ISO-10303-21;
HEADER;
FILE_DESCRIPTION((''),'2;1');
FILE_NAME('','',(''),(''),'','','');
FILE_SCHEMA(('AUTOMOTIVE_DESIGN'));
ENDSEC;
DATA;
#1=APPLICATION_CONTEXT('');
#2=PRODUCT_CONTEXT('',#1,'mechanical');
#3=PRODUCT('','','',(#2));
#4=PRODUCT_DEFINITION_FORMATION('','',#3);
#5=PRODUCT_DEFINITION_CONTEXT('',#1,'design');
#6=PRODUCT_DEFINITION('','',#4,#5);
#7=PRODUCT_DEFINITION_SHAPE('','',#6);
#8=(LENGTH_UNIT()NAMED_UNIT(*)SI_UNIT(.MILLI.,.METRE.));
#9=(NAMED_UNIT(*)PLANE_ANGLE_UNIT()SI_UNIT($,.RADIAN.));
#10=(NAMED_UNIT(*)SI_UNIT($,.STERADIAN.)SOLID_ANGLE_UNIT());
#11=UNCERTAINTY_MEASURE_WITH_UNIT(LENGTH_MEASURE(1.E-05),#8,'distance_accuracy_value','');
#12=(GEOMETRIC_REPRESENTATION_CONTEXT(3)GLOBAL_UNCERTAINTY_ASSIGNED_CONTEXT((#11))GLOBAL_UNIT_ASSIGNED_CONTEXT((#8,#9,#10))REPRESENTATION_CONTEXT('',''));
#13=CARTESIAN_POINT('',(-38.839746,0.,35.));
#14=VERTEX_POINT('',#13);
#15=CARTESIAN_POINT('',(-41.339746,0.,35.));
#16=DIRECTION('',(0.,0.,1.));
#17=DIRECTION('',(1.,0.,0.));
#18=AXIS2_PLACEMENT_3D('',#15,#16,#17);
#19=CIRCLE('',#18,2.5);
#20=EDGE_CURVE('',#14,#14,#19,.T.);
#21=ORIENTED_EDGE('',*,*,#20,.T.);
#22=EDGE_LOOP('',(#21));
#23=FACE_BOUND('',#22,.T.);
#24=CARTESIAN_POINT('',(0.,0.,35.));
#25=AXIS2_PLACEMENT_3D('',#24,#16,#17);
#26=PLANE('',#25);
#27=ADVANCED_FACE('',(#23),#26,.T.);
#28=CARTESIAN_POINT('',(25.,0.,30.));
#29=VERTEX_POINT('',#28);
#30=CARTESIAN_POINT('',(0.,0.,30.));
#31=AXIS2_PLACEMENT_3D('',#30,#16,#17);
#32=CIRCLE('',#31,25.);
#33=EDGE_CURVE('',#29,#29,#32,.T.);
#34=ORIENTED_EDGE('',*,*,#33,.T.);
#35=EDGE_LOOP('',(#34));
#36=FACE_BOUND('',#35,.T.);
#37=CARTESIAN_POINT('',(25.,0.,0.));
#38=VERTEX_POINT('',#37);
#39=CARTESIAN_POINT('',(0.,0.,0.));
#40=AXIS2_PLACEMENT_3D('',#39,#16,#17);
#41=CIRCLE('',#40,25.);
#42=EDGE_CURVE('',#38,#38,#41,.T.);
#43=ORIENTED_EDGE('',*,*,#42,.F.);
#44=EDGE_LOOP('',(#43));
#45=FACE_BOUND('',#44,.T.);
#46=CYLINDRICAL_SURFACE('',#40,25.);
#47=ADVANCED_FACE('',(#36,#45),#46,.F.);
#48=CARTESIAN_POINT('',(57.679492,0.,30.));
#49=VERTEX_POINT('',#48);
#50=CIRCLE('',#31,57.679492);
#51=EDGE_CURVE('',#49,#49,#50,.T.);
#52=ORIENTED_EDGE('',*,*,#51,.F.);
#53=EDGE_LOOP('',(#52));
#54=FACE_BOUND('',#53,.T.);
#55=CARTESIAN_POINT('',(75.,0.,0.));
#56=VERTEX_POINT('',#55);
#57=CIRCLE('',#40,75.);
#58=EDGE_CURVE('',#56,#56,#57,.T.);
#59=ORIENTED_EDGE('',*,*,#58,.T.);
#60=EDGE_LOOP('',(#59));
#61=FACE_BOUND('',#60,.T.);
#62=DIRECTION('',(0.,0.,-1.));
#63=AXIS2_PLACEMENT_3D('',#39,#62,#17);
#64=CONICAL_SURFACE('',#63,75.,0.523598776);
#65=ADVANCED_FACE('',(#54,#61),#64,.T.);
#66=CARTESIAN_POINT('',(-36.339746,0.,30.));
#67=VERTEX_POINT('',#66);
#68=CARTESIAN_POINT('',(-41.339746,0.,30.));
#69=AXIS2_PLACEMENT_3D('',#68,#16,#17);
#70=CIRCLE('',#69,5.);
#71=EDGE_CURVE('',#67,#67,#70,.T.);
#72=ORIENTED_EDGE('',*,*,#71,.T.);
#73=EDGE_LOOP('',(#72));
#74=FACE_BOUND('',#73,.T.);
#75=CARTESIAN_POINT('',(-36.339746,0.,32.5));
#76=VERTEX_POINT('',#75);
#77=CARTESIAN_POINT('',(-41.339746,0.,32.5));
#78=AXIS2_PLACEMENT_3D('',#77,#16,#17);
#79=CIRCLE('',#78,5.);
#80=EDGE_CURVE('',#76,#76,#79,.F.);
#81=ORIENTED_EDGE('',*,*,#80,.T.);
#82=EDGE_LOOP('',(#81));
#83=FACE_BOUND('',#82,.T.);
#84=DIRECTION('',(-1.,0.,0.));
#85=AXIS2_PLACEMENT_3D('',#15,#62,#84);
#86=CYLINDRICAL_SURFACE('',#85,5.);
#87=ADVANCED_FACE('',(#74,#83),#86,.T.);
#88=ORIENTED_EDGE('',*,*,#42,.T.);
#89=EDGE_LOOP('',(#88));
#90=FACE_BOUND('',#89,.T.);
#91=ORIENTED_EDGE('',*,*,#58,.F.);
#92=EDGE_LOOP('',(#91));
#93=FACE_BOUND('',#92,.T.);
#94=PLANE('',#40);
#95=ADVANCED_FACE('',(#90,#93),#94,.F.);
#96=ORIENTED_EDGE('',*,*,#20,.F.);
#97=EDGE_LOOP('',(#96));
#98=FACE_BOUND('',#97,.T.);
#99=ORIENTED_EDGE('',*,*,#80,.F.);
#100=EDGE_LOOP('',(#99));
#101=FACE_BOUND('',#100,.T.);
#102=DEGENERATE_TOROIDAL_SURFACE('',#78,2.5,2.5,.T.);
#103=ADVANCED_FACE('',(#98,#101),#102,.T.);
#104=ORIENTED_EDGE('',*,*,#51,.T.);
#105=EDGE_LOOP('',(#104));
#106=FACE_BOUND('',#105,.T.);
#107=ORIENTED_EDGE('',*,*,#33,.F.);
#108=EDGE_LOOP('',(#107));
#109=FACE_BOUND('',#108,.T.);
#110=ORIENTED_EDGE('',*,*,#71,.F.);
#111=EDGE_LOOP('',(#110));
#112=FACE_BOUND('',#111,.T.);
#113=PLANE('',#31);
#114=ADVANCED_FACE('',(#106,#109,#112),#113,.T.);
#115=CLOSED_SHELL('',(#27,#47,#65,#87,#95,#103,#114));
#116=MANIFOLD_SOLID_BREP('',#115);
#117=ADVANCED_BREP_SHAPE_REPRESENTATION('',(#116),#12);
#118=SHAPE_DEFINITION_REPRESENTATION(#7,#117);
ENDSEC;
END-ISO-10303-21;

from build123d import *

# Parameters (mm, degrees)
SKETCH_1_R               = 75
EXTRUDE_1_DEPTH          = 30
EXTRUDE_1_TAPER          = 30
CUT_EXTRUDE_1_DEPTH      = 111.227038425
CUT_EXTRUDE_1_DEPTH_BACK = 111.227038425
SKETCH_2_R               = 25
EXTRUDE_2_DEPTH          = 5
FILLET_1_R               = 2.5


with BuildPart() as part:
    # 스케치1 → 보스-돌출1 (new body)
    with BuildSketch(Plane.XY):
        Circle(SKETCH_1_R)
    extrude(amount=EXTRUDE_1_DEPTH, taper=EXTRUDE_1_TAPER)

    # 스케치2 → 컷-돌출1 (cut, two sides: drawn at the far end of the back side and taken through both)
    with BuildSketch(Plane.XY.offset(30).offset(-CUT_EXTRUDE_1_DEPTH_BACK)):
        Circle(SKETCH_2_R)
    extrude(amount=CUT_EXTRUDE_1_DEPTH + CUT_EXTRUDE_1_DEPTH_BACK, mode=Mode.SUBTRACT)

    # 스케치3 → 보스-돌출2 (add)
    with BuildSketch(Plane.XY.offset(30)):
        with BuildLine():
            ThreePointArc((-46.339745962, 0), (-41.339745962, -5), (-36.339745962, 0))
            Line((-36.339745962, 0), (-46.339745962, 0))
        make_face()
        with BuildLine():
            Line((-46.339745962, 0), (-36.339745962, 0))
            ThreePointArc((-36.339745962, 0), (-41.339745962, 5), (-46.339745962, 0))
        make_face()
    extrude(amount=EXTRUDE_2_DEPTH)

    # 필렛1
    fillet_1_edges = [part.edges().sort_by_distance(p)[0] for p in [
        (-46.339745962, 0, 35),
    ]]
    fillet(fillet_1_edges, radius=FILLET_1_R)


solid = part.part
